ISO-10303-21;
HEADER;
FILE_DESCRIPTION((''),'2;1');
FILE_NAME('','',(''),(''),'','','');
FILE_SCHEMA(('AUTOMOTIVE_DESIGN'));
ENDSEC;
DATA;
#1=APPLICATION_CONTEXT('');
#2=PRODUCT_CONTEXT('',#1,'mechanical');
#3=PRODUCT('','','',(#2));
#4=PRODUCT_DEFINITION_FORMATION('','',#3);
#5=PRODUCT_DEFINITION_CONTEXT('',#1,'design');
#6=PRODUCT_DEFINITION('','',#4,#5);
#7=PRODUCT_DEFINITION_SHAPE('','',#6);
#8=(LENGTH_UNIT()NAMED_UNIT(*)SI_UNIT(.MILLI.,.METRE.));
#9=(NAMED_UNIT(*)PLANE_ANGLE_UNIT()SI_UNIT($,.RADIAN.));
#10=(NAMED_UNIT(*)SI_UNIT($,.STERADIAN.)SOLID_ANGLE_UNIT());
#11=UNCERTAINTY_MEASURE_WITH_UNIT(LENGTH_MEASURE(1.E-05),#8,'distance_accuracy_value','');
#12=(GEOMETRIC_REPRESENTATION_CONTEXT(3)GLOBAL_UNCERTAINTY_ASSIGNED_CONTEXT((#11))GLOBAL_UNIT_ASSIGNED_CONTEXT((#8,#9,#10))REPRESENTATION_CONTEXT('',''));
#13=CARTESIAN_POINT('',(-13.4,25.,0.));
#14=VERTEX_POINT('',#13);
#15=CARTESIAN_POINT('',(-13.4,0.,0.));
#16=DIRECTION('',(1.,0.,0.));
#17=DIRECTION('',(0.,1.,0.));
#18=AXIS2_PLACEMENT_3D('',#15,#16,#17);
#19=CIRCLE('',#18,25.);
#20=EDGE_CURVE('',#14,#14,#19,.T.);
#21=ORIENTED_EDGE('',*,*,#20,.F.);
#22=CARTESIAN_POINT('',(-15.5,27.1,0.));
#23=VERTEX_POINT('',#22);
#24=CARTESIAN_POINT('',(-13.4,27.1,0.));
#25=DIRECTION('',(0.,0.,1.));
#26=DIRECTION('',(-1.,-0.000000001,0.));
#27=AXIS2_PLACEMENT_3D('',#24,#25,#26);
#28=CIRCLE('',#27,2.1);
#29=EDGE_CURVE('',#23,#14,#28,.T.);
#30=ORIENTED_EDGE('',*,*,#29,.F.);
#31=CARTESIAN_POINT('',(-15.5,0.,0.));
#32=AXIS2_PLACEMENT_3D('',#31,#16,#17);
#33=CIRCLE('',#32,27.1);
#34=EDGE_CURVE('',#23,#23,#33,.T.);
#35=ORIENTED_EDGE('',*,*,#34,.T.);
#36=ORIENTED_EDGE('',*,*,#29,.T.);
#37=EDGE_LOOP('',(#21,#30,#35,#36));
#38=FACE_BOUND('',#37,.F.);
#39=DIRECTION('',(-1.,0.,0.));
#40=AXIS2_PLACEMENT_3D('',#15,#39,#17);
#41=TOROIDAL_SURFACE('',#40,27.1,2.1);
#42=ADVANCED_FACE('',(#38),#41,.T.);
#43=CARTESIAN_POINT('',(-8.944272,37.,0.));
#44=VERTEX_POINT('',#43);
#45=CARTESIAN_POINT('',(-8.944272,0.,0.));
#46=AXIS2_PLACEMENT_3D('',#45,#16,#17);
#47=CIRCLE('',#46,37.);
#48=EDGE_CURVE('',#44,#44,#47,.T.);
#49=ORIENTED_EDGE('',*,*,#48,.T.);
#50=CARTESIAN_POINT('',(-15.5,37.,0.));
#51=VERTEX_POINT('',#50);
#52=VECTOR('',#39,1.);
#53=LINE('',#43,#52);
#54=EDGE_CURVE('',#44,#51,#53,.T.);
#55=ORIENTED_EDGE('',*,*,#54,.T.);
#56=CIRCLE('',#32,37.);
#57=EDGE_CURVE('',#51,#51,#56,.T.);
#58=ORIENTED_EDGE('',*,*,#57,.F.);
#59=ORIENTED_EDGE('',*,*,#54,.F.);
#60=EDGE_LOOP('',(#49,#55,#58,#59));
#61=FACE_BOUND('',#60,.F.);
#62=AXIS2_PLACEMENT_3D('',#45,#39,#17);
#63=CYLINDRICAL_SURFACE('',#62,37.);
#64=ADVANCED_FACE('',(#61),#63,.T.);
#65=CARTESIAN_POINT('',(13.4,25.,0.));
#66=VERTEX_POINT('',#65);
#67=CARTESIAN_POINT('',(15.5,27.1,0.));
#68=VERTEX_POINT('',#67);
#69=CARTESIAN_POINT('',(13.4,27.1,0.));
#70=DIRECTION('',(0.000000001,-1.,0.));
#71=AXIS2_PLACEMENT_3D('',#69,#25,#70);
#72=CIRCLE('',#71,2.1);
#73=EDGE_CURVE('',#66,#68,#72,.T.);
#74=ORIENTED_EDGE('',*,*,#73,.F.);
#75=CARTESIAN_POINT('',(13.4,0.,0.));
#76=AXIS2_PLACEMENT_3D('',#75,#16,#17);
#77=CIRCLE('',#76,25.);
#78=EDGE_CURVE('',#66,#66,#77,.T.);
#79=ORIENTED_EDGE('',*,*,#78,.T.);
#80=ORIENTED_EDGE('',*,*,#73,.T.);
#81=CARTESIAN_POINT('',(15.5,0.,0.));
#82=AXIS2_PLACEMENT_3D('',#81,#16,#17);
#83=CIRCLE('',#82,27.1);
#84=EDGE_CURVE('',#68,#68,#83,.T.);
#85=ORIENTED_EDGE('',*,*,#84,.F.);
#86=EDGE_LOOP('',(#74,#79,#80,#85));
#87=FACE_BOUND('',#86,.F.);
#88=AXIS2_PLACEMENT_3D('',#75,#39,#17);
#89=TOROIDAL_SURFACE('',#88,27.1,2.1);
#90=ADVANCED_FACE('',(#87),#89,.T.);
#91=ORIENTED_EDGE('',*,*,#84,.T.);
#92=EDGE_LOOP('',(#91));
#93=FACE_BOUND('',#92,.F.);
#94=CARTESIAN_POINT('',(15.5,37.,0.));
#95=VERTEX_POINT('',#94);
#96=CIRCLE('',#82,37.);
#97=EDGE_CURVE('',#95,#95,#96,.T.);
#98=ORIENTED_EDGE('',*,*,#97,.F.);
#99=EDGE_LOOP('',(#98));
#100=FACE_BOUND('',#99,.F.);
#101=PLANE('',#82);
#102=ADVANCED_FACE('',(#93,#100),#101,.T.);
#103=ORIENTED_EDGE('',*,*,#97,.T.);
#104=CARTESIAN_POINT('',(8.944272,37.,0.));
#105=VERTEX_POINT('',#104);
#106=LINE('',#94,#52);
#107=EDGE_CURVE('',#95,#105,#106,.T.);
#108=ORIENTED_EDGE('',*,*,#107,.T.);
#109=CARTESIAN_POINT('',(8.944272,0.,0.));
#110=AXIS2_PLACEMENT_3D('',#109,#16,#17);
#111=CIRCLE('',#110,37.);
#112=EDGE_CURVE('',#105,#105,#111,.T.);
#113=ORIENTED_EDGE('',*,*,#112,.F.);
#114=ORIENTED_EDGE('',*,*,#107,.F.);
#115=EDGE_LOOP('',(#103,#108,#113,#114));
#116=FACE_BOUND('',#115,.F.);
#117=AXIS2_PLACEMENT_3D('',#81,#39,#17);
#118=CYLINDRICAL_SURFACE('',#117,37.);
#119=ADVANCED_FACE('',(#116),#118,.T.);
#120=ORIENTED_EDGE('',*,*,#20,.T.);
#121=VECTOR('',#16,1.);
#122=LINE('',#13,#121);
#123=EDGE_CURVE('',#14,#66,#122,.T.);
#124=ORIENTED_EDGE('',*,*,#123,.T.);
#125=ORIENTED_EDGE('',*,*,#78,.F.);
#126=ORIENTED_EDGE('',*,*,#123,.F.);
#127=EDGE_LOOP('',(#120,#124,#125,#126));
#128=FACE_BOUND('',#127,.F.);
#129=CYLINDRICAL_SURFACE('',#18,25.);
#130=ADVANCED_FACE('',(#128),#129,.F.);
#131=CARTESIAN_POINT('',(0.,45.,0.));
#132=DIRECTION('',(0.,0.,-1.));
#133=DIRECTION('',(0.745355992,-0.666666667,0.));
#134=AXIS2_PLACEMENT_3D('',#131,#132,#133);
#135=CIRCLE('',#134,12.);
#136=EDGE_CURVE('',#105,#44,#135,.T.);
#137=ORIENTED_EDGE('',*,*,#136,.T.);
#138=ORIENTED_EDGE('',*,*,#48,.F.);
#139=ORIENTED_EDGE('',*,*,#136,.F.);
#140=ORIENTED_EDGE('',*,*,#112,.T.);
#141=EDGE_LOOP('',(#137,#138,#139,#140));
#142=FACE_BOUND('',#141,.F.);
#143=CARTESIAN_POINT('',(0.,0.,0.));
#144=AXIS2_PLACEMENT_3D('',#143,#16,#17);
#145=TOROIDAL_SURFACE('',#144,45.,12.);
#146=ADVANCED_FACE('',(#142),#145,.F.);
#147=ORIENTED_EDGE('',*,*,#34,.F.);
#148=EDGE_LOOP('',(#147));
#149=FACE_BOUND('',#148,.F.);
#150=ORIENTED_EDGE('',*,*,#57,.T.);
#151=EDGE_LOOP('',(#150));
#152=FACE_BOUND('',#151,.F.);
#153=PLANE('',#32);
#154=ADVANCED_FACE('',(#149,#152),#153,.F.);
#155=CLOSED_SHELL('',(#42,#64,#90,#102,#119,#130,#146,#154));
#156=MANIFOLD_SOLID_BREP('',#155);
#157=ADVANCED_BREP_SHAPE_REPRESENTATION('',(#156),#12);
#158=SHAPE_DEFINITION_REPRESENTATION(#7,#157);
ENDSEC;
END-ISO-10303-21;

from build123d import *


with BuildPart() as part:
    # Sketch1 → Revolve1 (revolve)
    with BuildSketch(Plane.XY):
        with BuildLine():
            Line((-15.5, 37), (-15.5, 27.1))
            ThreePointArc((-15.5, 27.1), (-14.88492424, 25.61507576), (-13.4, 25))
            Line((-13.4, 25), (13.4, 25))
            ThreePointArc((13.4, 25), (14.88492424, 25.61507576), (15.5, 27.1))
            Line((15.5, 27.1), (15.5, 37))
            Line((15.5, 37), (8.94427191, 37))
            ThreePointArc((8.94427191, 37), (0, 33), (-8.94427191, 37))
            Line((-8.94427191, 37), (-15.5, 37))
        make_face()
    revolve(axis=Axis((-11.869369369, 0, 0), (1, 0, 0)))


solid = part.part
